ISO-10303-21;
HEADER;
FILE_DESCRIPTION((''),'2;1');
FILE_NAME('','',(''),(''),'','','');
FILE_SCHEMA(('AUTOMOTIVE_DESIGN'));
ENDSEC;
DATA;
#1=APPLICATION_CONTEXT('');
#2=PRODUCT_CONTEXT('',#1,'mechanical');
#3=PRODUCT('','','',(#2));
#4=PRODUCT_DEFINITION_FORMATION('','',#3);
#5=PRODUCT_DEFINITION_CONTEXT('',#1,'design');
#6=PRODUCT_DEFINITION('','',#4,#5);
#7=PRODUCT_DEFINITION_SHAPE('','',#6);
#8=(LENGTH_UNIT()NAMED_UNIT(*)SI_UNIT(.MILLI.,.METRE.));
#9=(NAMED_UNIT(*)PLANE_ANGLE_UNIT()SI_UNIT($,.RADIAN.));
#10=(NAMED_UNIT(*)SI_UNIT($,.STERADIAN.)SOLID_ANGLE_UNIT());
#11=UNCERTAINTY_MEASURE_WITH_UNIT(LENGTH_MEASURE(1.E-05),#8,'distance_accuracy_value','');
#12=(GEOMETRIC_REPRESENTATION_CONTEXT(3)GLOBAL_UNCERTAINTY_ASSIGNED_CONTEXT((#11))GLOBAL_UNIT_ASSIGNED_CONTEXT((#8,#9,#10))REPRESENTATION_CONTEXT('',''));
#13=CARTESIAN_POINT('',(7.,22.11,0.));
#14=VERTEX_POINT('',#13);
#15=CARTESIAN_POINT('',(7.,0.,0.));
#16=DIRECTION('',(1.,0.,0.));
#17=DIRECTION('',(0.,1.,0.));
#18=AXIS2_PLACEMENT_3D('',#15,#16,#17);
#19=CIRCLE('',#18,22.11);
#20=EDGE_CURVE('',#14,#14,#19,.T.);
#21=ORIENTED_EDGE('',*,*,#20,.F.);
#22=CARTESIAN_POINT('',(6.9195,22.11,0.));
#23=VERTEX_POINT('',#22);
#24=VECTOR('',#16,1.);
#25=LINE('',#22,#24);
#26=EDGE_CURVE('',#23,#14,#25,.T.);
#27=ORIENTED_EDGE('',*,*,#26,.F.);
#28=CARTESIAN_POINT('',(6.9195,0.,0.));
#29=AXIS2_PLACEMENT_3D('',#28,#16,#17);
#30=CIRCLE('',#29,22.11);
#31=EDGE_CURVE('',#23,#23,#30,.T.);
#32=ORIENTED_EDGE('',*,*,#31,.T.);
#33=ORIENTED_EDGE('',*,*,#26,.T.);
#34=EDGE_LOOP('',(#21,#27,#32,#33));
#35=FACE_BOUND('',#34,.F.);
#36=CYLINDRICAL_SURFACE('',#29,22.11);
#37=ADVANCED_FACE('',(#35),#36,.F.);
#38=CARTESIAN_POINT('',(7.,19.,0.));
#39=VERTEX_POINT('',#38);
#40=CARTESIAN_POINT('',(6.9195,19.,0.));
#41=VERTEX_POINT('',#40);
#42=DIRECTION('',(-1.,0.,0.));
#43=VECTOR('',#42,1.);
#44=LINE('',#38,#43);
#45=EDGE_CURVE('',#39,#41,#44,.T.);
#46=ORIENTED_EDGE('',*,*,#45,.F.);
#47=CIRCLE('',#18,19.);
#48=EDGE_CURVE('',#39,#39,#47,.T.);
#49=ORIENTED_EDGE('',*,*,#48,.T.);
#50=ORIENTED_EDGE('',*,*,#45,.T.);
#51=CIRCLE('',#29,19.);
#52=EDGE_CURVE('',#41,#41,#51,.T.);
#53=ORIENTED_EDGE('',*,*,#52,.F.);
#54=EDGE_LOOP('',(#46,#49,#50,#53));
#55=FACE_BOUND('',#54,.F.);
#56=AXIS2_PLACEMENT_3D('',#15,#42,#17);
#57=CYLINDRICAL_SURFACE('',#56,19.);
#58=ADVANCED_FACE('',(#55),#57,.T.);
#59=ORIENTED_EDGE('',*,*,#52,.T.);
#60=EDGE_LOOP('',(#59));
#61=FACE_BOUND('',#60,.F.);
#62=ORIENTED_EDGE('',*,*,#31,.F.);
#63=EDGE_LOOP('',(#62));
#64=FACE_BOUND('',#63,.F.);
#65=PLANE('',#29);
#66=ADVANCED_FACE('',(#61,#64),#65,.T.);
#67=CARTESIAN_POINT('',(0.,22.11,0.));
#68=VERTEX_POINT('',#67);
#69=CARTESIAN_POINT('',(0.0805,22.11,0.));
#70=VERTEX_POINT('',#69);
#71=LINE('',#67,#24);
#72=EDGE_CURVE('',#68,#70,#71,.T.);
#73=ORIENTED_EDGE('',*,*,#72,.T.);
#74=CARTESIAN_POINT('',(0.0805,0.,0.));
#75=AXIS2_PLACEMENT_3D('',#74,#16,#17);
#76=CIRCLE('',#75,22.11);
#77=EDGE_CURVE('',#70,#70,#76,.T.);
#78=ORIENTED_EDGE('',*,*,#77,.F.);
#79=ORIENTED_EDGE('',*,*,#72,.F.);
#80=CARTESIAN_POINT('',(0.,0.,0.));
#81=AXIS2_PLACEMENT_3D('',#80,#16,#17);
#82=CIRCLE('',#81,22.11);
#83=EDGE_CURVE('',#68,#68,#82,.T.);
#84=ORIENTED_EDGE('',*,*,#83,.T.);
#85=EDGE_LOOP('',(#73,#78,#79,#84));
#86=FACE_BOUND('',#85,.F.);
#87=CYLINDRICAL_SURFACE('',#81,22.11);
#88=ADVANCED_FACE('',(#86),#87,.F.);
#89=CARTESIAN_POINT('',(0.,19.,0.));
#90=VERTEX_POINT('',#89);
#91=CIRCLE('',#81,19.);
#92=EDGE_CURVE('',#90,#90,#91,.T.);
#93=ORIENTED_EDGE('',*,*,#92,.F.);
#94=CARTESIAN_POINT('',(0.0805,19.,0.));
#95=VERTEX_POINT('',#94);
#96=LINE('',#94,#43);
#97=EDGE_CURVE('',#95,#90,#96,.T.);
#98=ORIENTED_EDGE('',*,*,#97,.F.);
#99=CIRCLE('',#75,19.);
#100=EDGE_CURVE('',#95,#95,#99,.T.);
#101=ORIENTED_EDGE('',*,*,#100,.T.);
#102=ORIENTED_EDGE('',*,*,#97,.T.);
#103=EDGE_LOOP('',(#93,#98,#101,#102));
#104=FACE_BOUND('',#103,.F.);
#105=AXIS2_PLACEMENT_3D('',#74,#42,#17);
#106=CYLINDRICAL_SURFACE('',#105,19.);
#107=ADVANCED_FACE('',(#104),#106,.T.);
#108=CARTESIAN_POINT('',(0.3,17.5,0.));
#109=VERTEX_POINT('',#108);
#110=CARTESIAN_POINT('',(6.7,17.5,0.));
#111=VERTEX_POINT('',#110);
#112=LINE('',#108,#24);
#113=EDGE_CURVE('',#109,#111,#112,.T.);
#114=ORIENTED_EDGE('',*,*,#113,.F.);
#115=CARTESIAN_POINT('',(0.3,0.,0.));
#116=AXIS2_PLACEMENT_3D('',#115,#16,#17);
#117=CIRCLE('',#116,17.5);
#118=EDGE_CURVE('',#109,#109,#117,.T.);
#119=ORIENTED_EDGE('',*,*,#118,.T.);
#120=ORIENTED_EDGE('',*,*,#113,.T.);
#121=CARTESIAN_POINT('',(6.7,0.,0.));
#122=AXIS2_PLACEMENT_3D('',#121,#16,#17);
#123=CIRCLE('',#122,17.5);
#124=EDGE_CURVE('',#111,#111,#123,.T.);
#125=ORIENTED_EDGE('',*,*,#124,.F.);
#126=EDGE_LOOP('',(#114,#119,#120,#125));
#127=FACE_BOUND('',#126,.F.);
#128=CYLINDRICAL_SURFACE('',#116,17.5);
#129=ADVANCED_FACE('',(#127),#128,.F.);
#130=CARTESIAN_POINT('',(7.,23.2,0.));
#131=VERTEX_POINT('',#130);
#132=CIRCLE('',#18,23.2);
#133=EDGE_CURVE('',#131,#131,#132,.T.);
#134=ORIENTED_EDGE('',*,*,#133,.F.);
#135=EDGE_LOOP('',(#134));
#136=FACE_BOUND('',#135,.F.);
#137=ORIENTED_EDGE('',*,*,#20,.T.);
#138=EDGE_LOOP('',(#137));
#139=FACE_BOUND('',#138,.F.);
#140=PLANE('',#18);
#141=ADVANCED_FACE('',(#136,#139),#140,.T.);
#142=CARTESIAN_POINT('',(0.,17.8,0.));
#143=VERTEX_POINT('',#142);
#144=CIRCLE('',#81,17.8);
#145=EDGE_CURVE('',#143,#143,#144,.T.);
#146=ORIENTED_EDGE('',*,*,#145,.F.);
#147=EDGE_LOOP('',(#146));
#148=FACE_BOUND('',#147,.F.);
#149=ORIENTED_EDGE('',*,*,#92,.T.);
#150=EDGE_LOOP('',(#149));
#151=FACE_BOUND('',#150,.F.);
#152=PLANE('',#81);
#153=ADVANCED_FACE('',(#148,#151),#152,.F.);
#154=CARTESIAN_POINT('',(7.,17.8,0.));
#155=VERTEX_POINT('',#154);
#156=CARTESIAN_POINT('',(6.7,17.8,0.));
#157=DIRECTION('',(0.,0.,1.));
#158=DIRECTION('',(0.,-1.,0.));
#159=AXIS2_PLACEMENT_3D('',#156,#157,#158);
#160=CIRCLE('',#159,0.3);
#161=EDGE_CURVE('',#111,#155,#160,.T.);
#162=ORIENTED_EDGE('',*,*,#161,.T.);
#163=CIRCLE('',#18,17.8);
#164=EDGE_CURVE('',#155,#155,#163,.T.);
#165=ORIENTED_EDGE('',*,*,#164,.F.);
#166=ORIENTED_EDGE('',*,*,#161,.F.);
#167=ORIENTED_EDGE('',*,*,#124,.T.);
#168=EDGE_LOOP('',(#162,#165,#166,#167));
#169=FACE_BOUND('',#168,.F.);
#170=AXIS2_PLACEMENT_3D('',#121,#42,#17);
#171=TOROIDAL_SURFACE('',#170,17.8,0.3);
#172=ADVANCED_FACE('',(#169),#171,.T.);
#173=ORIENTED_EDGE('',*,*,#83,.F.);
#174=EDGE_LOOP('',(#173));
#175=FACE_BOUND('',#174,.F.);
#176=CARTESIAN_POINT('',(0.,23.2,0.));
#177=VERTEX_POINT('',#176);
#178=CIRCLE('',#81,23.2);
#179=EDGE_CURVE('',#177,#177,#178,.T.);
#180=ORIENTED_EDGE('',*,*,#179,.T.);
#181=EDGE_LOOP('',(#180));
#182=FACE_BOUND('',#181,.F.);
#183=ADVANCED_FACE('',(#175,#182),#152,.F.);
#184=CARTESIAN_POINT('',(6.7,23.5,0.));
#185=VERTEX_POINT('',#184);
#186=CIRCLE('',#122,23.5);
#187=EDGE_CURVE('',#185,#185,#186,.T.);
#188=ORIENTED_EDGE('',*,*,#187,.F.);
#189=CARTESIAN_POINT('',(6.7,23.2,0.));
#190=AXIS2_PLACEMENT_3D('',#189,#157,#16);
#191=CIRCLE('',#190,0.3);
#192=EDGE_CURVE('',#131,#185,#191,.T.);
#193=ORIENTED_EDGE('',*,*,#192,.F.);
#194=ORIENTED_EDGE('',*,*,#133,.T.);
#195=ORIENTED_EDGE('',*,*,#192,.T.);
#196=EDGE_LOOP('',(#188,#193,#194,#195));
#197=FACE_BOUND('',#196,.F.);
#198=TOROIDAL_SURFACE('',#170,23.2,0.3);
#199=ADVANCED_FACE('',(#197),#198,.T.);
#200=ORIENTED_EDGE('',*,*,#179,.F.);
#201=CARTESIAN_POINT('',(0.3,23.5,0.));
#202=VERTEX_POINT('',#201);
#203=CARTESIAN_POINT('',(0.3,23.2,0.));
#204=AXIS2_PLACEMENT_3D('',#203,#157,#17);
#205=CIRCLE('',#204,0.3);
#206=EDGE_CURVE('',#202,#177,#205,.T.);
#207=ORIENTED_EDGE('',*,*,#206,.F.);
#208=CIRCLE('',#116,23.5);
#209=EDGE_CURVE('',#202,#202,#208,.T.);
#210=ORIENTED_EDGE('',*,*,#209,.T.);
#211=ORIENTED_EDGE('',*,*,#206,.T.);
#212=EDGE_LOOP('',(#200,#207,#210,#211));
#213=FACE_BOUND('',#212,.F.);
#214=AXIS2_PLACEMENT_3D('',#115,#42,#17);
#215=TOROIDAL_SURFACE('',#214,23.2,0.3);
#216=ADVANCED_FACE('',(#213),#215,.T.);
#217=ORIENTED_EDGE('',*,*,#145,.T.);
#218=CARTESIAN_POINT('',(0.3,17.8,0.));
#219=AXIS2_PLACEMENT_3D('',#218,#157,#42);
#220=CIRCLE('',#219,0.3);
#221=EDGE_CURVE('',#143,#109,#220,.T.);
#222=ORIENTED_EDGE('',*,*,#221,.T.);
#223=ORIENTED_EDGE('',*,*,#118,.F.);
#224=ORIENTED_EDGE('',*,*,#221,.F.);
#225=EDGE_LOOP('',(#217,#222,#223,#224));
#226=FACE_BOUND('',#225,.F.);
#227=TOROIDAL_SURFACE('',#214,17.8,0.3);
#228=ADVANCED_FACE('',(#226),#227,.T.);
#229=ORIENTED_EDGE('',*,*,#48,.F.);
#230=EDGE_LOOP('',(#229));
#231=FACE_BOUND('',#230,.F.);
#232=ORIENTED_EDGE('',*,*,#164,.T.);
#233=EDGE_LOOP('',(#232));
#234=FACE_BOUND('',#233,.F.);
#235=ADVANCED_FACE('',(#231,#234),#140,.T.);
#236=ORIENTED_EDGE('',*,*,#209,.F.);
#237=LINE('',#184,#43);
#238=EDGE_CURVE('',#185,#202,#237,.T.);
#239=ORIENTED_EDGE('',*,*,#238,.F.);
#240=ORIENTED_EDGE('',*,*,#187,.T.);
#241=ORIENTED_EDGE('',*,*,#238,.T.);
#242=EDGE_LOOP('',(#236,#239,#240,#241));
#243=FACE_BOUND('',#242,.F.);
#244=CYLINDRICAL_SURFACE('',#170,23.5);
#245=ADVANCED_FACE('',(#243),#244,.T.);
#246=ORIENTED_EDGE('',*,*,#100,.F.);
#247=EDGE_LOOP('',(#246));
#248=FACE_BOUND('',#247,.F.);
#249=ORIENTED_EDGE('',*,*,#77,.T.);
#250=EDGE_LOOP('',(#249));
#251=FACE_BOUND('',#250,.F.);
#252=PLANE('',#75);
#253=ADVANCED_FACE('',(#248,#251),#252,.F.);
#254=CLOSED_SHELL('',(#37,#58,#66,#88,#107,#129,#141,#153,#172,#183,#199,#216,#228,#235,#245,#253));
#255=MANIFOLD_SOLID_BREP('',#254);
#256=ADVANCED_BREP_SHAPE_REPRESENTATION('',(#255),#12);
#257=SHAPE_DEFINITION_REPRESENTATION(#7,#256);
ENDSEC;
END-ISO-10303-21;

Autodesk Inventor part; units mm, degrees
sketch "Sketch_1" plane through (0, 0, 0) normal (0, 0, 1) x (1, 0, 0)
  line L0 (7, 0) -> (0, 0)
  arc A0 (0, 17.8) -> (0.3, 17.5) centre (0.3, 17.8) ccw
  line L1 (0.3, 17.5) -> (6.7, 17.5)
  arc A1 (6.7, 17.5) -> (7, 17.8) centre (6.7, 17.8) ccw
  line L2 (7, 17.8) -> (7, 19)
  line L3 (7, 19) -> (6.9195, 19)
  line L4 (6.9195, 19) -> (6.9195, 22.11)
  line L5 (6.9195, 22.11) -> (7, 22.11)
  line L6 (7, 22.11) -> (7, 23.2)
  arc A2 (7, 23.2) -> (6.7, 23.5) centre (6.7, 23.2) ccw
  line L7 (6.7, 23.5) -> (0.3, 23.5)
  arc A3 (0.3, 23.5) -> (0, 23.2) centre (0.3, 23.2) ccw
  line L8 (0, 23.2) -> (0, 22.11)
  line L9 (0, 22.11) -> (0.0805, 22.11)
  line L10 (0.0805, 22.11) -> (0.0805, 19)
  line L11 (0.0805, 19) -> (0, 19)
  line L12 (0, 19) -> (0, 17.8)
revolve "Revolution1" add sketch "Sketch_1" angle 360 about axis through (7, 0, 0) along (1, 0, 0)
ref_plane "center_point_XY" through (3.5, 0, 0) normal (1, 0, 0) x (0, 0, -1)
ref_plane "center_point_YZ" through (3.5, 0, 0) normal (0, 0, -1) x (0, 1, 0)
ref_plane "center_point_ZX" through (3.5, 0, 0) normal (0, 1, 0) x (1, 0, 0)
ref_plane "to_housing_XY" through (0, 0, 0) normal (1, 0, 0) x (0, 0, -1)
ref_plane "to_housing_YZ" through (0, 0, 0) normal (0, 0, -1) x (0, 1, 0)
ref_plane "to_housing_ZX" through (0, 0, 0) normal (0, 1, 0) x (1, 0, 0)
ref_plane "to_ring_XY" through (6.839, 0, 0) normal (1, 0, 0) x (0, 0, -1)
ref_plane "to_ring_YZ" through (6.839, 0, 0) normal (0, 0, -1) x (0, 1, 0)
ref_plane "to_ring_ZX" through (6.839, 0, 0) normal (0, 1, 0) x (1, 0, 0)
properties part number "조인트4베어링"
